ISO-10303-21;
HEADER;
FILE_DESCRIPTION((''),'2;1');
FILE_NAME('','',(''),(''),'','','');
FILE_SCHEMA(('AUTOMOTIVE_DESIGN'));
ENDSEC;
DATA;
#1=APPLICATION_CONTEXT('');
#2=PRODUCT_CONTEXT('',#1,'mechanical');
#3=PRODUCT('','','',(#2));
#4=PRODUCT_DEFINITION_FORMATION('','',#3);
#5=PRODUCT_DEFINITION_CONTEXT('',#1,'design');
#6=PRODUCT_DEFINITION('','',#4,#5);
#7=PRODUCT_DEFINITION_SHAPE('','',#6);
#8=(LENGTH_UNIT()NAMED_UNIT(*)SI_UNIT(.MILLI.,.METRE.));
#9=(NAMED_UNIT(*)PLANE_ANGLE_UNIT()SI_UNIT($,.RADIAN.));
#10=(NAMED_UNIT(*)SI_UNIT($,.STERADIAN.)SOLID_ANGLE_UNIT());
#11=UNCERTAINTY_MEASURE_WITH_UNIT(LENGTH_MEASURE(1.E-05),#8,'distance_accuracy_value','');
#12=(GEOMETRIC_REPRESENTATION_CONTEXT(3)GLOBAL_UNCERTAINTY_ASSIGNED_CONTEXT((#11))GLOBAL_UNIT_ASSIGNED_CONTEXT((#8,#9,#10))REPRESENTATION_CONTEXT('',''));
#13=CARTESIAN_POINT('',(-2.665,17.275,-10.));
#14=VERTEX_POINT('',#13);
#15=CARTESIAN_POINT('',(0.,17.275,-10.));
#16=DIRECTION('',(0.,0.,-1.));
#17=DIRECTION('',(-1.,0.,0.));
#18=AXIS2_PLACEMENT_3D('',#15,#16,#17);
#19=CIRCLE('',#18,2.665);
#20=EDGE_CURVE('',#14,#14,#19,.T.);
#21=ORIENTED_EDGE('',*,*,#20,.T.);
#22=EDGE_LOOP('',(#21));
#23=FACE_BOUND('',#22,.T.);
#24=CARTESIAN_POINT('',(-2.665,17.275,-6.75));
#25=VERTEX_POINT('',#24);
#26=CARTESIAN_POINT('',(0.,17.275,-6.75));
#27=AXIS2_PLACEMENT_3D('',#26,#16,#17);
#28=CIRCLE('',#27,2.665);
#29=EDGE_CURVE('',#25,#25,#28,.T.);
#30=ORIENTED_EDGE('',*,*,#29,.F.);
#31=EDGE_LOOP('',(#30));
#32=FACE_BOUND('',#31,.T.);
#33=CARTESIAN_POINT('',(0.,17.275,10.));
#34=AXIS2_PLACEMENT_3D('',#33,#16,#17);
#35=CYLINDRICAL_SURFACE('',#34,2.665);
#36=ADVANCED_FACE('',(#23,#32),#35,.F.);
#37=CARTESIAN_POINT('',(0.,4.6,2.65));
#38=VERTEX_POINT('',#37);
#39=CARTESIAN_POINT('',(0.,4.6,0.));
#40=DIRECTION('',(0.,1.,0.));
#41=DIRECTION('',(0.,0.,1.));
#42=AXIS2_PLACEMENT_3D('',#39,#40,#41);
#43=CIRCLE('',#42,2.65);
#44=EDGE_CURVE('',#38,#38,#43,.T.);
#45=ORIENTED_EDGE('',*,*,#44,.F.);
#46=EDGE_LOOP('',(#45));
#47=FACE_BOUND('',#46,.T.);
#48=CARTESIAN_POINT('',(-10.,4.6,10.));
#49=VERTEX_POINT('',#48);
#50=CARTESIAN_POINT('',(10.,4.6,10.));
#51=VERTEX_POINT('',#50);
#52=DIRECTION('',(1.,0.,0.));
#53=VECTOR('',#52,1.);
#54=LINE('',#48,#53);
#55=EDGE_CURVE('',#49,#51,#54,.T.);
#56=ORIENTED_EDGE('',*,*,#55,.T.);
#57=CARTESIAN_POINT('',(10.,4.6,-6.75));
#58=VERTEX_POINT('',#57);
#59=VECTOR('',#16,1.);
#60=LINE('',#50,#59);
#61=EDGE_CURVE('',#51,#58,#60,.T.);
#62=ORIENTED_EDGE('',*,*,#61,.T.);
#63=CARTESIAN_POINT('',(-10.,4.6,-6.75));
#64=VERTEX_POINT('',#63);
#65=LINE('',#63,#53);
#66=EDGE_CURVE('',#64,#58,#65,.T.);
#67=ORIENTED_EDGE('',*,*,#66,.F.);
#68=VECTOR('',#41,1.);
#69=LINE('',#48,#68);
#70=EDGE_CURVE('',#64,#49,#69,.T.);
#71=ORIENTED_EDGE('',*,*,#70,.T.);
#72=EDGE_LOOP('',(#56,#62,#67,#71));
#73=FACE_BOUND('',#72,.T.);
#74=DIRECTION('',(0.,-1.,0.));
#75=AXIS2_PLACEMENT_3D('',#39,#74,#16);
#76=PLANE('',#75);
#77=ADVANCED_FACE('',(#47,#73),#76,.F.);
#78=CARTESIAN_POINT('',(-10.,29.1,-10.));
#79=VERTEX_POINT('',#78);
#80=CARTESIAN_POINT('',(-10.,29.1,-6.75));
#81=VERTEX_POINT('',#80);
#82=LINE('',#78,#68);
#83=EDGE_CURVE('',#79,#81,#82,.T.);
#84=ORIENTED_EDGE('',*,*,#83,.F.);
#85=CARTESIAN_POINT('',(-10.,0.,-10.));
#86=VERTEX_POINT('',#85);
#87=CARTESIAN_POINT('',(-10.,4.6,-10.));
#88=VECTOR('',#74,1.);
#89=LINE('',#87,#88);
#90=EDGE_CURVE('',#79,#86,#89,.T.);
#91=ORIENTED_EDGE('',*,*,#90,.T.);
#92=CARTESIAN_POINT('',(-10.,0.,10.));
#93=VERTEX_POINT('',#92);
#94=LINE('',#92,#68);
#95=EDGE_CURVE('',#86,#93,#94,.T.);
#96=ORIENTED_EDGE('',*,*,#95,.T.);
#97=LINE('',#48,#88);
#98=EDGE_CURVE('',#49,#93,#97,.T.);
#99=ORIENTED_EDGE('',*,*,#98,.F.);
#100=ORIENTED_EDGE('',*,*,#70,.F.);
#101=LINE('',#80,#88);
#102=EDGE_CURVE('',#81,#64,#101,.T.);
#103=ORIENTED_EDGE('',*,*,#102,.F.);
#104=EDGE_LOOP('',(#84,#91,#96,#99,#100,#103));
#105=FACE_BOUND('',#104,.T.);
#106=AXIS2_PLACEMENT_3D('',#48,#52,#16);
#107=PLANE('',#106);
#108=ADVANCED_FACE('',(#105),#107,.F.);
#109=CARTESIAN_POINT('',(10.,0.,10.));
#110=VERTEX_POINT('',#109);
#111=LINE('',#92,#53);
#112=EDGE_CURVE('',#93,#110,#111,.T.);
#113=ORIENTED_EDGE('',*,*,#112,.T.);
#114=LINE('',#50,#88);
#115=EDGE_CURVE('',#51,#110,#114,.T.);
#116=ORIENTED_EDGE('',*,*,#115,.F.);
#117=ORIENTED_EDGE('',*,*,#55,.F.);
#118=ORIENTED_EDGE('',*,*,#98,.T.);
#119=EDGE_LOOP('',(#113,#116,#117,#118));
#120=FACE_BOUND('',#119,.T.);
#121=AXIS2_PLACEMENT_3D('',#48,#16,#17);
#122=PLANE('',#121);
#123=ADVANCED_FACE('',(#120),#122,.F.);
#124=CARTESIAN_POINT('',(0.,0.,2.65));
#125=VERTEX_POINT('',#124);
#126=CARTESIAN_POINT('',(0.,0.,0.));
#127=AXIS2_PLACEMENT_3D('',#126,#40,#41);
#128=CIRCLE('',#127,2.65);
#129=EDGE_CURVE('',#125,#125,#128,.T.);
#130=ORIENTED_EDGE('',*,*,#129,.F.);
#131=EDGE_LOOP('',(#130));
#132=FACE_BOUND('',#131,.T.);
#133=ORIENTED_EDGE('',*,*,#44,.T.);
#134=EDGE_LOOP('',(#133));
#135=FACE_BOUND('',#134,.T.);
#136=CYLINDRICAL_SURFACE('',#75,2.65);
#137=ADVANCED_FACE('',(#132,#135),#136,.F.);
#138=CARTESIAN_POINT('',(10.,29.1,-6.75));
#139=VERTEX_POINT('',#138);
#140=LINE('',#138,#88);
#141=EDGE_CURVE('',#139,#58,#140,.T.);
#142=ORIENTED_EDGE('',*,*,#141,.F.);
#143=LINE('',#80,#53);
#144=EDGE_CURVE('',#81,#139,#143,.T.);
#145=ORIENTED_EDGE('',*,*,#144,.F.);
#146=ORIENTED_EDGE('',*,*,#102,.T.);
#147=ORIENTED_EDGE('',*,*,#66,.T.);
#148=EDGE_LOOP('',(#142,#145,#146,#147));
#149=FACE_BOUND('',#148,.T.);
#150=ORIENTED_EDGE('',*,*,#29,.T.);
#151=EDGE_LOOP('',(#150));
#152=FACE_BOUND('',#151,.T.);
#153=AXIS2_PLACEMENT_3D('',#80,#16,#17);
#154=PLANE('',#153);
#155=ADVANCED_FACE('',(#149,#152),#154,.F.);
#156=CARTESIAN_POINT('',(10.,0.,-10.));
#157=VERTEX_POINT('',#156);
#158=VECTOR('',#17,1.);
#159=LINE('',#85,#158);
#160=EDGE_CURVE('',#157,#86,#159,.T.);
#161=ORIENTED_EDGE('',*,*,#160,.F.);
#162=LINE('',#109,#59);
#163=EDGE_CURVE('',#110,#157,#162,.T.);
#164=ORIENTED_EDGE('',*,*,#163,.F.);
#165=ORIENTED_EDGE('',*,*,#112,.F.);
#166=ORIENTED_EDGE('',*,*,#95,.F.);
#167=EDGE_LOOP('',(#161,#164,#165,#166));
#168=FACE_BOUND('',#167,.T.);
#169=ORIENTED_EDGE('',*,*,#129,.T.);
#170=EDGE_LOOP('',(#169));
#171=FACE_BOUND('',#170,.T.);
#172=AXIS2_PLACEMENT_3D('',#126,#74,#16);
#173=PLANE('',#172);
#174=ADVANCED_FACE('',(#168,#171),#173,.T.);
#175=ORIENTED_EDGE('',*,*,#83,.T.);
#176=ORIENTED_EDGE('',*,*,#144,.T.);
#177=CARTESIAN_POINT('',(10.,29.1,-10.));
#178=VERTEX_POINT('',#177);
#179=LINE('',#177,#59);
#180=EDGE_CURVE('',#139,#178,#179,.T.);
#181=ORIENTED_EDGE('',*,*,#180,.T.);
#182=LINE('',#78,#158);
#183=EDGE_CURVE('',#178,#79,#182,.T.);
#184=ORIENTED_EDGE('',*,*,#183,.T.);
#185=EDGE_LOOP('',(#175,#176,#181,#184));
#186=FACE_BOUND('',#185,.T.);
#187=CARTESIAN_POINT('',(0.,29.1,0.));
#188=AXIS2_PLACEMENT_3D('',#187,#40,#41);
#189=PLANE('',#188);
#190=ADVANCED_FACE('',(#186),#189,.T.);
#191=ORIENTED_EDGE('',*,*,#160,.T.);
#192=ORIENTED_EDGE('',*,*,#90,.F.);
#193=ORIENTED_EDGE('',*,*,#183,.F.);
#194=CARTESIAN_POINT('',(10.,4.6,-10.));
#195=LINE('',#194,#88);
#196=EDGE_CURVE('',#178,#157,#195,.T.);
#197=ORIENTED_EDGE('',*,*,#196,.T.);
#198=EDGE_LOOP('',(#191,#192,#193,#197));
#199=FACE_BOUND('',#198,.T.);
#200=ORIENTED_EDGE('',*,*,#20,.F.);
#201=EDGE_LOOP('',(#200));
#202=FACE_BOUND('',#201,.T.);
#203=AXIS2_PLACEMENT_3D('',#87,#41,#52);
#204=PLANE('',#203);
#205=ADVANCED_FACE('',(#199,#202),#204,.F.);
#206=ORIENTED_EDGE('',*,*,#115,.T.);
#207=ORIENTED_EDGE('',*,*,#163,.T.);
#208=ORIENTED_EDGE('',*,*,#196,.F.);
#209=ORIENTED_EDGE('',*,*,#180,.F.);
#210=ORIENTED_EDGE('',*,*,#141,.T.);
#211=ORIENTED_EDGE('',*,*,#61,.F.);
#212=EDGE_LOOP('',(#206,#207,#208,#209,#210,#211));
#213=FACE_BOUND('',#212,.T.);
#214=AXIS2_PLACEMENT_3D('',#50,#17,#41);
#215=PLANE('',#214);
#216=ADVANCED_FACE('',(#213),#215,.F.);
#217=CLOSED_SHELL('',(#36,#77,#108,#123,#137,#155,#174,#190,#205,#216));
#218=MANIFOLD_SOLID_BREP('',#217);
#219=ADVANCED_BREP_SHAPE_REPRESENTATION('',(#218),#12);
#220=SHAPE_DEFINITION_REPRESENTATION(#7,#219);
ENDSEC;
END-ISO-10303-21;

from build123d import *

# Parameters (mm, degrees)
SKETCH1_W           = 20
SKETCH1_H           = 20
SKETCH1_R           = 2.65
BOSS_EXTRUDE1_DEPTH = 4.6
SKETCH2_W           = 20
SKETCH2_H           = 3.25
BOSS_EXTRUDE2_DEPTH = 24.5
SKETCH3_R           = 2.665
CUT_EXTRUDE1_DEPTH  = 37.698910066


with BuildPart() as part:
    # Sketch1 → Boss-Extrude1 (new body)
    with BuildSketch(Plane(origin=(0, 0, 0), x_dir=(1, 0, 0), z_dir=(0, 1, 0))):
        Rectangle(SKETCH1_W, SKETCH1_H)
        with Locations(Location((0, 0, 0), (0, 0, 270))):
            Circle(SKETCH1_R, mode=Mode.SUBTRACT)
    extrude(amount=BOSS_EXTRUDE1_DEPTH)

    # Sketch2 → Boss-Extrude2 (add)
    with BuildSketch(Plane(origin=(0, 4.6, 0), x_dir=(1, 0, 0), z_dir=(0, 1, 0))):
        with Locations((0, 8.375)):
            Rectangle(SKETCH2_W, SKETCH2_H)
    extrude(amount=BOSS_EXTRUDE2_DEPTH)

    # Sketch3 → Cut-Extrude1 (cut, through all)
    with BuildSketch(Plane(origin=(0, 0, -10), x_dir=(-1, 0, 0), z_dir=(0, 0, -1))):
        with Locations((0, 17.275)):
            Circle(SKETCH3_R)
    extrude(amount=-CUT_EXTRUDE1_DEPTH, mode=Mode.SUBTRACT)


solid = part.part
